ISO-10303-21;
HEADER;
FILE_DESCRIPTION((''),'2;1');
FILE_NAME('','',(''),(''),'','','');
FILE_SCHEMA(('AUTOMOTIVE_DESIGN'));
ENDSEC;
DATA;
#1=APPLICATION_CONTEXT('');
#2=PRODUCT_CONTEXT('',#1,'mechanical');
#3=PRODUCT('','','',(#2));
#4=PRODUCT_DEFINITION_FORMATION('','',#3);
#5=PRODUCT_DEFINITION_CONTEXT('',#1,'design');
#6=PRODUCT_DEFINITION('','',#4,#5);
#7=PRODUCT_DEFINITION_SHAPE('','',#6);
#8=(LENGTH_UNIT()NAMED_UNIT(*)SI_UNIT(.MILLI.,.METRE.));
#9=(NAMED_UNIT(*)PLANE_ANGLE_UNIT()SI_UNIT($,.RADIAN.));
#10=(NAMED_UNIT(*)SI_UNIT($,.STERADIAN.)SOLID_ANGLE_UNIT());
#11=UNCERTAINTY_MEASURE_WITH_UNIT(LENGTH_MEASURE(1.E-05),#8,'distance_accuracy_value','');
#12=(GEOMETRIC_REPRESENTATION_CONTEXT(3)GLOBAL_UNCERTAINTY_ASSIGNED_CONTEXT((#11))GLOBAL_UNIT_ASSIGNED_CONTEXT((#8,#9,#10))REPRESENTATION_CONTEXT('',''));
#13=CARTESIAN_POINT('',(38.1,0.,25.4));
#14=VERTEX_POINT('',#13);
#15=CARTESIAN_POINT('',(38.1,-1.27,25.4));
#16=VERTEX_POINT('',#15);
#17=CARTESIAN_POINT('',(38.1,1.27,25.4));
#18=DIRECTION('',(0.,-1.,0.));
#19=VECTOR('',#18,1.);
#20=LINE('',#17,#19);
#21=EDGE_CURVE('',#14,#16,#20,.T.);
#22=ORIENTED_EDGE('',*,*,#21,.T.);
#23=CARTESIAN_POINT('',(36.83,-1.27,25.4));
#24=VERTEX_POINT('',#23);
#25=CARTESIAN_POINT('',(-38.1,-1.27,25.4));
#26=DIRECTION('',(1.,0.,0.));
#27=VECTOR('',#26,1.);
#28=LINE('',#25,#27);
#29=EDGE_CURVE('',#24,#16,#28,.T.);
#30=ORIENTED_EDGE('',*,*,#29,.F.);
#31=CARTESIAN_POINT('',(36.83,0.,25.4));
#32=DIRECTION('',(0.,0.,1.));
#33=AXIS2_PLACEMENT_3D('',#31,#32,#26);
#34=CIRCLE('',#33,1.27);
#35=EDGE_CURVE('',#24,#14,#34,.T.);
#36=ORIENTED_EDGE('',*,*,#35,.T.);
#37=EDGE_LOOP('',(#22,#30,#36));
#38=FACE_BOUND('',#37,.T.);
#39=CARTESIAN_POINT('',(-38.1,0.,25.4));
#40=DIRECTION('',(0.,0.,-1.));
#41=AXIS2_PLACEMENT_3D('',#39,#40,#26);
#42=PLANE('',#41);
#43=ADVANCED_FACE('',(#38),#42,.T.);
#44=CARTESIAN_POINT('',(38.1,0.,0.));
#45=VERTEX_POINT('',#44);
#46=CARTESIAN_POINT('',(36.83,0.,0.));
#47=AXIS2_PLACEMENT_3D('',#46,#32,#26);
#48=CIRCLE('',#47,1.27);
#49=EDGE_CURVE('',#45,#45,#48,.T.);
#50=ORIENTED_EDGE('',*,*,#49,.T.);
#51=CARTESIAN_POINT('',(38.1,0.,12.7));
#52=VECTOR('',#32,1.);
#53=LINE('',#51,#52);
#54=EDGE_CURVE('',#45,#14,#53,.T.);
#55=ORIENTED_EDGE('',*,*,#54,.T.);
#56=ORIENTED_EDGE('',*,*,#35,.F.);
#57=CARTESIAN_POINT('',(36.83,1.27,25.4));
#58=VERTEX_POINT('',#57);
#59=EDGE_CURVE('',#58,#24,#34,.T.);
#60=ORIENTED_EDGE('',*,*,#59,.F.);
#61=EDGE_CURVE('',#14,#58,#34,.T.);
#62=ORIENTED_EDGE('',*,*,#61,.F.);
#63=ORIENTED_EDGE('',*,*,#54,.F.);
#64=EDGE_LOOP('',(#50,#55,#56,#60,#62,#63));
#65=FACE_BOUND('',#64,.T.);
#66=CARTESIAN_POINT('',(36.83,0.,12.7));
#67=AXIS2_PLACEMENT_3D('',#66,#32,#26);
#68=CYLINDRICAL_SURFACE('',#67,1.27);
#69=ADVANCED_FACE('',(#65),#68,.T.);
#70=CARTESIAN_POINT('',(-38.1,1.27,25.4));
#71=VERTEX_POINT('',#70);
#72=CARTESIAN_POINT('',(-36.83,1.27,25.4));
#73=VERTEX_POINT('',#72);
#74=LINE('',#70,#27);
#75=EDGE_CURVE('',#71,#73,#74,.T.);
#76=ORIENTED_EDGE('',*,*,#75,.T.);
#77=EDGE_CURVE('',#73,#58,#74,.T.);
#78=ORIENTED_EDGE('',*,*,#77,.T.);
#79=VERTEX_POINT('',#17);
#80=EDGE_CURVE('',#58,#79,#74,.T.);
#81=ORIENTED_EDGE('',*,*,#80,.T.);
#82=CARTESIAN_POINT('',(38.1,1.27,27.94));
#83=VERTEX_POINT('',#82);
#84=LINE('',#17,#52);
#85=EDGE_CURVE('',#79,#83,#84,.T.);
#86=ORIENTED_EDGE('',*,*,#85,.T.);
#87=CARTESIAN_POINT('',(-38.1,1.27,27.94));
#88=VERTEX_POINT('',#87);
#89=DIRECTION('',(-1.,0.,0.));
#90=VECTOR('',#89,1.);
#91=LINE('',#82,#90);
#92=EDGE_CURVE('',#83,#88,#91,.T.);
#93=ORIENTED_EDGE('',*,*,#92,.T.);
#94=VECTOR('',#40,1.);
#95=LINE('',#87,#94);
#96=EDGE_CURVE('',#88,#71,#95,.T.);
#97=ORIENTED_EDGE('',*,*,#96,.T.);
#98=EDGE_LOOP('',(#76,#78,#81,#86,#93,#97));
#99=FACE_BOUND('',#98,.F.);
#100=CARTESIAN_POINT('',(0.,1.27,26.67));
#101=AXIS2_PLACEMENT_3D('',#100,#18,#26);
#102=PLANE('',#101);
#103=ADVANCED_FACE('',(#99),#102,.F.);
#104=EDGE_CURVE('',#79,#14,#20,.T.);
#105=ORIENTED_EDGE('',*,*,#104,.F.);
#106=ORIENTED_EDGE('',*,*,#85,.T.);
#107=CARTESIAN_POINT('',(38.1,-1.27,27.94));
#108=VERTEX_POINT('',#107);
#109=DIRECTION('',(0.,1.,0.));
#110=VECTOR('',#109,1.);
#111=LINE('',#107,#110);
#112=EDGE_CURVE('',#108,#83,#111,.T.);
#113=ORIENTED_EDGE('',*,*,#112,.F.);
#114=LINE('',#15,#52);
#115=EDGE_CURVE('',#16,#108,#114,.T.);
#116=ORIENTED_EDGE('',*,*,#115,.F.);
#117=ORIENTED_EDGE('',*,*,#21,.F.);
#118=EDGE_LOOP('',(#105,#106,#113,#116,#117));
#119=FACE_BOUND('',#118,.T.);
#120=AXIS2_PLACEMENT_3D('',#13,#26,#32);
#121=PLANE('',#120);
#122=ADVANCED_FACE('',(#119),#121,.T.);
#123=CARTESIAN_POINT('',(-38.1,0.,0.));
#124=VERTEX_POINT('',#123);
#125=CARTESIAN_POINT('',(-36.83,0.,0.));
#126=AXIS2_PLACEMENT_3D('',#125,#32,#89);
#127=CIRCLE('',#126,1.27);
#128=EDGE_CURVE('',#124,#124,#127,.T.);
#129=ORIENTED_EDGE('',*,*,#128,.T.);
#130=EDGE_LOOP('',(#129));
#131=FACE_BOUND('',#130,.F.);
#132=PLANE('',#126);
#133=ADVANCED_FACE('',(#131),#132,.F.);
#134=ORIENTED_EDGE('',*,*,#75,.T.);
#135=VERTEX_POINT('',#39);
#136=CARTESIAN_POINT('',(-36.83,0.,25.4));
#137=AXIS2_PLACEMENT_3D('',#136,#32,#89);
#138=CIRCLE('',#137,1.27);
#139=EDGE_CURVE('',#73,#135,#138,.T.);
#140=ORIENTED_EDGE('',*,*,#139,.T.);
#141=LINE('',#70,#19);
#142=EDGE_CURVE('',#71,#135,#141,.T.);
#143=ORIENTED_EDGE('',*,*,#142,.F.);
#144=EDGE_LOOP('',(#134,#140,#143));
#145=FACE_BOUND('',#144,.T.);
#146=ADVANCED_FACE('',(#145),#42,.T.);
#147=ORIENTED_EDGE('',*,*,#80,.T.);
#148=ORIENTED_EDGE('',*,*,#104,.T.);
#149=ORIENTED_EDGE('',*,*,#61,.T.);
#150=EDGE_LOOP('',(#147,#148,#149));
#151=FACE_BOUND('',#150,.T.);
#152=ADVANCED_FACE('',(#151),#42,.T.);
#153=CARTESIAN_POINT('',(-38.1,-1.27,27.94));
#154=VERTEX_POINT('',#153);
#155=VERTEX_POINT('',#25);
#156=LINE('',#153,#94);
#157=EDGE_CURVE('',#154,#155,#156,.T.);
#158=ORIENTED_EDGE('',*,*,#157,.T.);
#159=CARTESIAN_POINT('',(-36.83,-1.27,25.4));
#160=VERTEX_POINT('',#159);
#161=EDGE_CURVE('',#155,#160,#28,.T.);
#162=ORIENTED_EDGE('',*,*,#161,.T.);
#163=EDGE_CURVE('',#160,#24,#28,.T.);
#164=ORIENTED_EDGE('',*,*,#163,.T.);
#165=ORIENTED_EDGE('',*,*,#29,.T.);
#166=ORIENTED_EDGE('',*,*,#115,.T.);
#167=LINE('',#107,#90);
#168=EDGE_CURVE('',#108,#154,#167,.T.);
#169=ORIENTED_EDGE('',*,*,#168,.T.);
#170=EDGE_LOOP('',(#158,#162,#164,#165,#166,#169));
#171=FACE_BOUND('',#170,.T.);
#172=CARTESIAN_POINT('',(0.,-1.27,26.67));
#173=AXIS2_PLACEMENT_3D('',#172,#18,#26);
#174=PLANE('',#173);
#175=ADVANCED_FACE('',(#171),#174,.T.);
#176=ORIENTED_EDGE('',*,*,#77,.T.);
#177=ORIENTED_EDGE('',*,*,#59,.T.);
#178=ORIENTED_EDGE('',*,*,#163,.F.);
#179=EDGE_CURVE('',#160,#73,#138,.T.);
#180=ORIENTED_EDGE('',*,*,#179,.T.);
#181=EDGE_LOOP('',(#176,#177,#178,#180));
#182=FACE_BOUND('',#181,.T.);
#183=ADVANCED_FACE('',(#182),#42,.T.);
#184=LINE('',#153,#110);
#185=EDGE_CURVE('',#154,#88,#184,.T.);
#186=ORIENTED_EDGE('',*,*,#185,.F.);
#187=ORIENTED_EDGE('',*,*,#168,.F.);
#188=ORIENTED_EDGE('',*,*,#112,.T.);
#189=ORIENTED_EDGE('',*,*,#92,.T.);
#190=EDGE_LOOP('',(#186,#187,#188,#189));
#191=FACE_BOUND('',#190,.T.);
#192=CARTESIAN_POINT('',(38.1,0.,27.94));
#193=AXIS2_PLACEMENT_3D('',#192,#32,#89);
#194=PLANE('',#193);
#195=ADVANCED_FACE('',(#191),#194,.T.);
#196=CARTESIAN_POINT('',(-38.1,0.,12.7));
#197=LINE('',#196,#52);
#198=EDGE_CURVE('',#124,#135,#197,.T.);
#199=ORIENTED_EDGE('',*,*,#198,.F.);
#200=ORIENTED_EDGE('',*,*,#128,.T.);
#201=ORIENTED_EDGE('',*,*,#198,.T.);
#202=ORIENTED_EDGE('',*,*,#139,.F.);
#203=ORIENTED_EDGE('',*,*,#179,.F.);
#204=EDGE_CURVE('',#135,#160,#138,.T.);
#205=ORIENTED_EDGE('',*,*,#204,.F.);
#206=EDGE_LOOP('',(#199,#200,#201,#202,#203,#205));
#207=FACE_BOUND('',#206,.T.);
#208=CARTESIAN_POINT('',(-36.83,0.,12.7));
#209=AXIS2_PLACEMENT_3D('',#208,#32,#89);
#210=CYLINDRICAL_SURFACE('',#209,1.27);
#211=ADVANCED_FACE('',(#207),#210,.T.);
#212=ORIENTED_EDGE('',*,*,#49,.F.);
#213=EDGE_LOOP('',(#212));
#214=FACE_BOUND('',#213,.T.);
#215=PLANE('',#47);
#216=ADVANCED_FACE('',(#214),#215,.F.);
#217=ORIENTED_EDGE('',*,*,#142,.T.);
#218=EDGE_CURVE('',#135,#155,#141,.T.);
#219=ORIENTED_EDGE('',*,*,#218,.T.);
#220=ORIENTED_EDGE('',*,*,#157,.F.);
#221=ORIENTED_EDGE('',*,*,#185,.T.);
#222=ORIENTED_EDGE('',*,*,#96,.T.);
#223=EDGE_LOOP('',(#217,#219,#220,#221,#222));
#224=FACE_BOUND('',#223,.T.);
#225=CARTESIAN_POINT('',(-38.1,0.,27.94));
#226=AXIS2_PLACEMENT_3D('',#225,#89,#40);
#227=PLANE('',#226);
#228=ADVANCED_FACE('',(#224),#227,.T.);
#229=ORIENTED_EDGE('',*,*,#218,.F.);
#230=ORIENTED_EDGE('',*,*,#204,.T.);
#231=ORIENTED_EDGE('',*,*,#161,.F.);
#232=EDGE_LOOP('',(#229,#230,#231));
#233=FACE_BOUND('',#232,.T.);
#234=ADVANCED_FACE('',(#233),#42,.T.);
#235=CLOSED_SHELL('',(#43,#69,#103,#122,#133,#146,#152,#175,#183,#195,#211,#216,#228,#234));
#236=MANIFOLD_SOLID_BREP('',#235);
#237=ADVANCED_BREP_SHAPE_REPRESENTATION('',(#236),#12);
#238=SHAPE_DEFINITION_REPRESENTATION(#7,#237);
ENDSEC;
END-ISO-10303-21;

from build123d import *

# Parameters (mm, degrees)
F1_DEPTH = 1.27
F0_W     = 1.27
F0_H     = 25.4


with BuildPart() as f1:
    # F0 (on Front) → F1 (new body, symmetric)
    with BuildSketch(Plane.XZ):
        Polygon((-38.1, 27.94), (-38.1, 25.4), (-36.83, 25.4), (36.83, 25.4), (38.1, 25.4), (38.1, 27.94), align=None)
    extrude(amount=F1_DEPTH, both=True)

    # F0 (on Front) → F2 (revolve)
    with BuildSketch(Plane.XZ):
        with Locations((-37.465, 12.7)):
            Rectangle(F0_W, F0_H)
    revolve(axis=Axis((-36.83, 0, 12.7), (0, 0, 1)))

    # F0 (on Front) → F3 (revolve)
    with BuildSketch(Plane.XZ):
        with Locations((37.465, 12.7)):
            Rectangle(F0_W, F0_H)
    revolve(axis=Axis((36.83, 0, 12.7), (0, 0, 1)))


solid = f1.part
